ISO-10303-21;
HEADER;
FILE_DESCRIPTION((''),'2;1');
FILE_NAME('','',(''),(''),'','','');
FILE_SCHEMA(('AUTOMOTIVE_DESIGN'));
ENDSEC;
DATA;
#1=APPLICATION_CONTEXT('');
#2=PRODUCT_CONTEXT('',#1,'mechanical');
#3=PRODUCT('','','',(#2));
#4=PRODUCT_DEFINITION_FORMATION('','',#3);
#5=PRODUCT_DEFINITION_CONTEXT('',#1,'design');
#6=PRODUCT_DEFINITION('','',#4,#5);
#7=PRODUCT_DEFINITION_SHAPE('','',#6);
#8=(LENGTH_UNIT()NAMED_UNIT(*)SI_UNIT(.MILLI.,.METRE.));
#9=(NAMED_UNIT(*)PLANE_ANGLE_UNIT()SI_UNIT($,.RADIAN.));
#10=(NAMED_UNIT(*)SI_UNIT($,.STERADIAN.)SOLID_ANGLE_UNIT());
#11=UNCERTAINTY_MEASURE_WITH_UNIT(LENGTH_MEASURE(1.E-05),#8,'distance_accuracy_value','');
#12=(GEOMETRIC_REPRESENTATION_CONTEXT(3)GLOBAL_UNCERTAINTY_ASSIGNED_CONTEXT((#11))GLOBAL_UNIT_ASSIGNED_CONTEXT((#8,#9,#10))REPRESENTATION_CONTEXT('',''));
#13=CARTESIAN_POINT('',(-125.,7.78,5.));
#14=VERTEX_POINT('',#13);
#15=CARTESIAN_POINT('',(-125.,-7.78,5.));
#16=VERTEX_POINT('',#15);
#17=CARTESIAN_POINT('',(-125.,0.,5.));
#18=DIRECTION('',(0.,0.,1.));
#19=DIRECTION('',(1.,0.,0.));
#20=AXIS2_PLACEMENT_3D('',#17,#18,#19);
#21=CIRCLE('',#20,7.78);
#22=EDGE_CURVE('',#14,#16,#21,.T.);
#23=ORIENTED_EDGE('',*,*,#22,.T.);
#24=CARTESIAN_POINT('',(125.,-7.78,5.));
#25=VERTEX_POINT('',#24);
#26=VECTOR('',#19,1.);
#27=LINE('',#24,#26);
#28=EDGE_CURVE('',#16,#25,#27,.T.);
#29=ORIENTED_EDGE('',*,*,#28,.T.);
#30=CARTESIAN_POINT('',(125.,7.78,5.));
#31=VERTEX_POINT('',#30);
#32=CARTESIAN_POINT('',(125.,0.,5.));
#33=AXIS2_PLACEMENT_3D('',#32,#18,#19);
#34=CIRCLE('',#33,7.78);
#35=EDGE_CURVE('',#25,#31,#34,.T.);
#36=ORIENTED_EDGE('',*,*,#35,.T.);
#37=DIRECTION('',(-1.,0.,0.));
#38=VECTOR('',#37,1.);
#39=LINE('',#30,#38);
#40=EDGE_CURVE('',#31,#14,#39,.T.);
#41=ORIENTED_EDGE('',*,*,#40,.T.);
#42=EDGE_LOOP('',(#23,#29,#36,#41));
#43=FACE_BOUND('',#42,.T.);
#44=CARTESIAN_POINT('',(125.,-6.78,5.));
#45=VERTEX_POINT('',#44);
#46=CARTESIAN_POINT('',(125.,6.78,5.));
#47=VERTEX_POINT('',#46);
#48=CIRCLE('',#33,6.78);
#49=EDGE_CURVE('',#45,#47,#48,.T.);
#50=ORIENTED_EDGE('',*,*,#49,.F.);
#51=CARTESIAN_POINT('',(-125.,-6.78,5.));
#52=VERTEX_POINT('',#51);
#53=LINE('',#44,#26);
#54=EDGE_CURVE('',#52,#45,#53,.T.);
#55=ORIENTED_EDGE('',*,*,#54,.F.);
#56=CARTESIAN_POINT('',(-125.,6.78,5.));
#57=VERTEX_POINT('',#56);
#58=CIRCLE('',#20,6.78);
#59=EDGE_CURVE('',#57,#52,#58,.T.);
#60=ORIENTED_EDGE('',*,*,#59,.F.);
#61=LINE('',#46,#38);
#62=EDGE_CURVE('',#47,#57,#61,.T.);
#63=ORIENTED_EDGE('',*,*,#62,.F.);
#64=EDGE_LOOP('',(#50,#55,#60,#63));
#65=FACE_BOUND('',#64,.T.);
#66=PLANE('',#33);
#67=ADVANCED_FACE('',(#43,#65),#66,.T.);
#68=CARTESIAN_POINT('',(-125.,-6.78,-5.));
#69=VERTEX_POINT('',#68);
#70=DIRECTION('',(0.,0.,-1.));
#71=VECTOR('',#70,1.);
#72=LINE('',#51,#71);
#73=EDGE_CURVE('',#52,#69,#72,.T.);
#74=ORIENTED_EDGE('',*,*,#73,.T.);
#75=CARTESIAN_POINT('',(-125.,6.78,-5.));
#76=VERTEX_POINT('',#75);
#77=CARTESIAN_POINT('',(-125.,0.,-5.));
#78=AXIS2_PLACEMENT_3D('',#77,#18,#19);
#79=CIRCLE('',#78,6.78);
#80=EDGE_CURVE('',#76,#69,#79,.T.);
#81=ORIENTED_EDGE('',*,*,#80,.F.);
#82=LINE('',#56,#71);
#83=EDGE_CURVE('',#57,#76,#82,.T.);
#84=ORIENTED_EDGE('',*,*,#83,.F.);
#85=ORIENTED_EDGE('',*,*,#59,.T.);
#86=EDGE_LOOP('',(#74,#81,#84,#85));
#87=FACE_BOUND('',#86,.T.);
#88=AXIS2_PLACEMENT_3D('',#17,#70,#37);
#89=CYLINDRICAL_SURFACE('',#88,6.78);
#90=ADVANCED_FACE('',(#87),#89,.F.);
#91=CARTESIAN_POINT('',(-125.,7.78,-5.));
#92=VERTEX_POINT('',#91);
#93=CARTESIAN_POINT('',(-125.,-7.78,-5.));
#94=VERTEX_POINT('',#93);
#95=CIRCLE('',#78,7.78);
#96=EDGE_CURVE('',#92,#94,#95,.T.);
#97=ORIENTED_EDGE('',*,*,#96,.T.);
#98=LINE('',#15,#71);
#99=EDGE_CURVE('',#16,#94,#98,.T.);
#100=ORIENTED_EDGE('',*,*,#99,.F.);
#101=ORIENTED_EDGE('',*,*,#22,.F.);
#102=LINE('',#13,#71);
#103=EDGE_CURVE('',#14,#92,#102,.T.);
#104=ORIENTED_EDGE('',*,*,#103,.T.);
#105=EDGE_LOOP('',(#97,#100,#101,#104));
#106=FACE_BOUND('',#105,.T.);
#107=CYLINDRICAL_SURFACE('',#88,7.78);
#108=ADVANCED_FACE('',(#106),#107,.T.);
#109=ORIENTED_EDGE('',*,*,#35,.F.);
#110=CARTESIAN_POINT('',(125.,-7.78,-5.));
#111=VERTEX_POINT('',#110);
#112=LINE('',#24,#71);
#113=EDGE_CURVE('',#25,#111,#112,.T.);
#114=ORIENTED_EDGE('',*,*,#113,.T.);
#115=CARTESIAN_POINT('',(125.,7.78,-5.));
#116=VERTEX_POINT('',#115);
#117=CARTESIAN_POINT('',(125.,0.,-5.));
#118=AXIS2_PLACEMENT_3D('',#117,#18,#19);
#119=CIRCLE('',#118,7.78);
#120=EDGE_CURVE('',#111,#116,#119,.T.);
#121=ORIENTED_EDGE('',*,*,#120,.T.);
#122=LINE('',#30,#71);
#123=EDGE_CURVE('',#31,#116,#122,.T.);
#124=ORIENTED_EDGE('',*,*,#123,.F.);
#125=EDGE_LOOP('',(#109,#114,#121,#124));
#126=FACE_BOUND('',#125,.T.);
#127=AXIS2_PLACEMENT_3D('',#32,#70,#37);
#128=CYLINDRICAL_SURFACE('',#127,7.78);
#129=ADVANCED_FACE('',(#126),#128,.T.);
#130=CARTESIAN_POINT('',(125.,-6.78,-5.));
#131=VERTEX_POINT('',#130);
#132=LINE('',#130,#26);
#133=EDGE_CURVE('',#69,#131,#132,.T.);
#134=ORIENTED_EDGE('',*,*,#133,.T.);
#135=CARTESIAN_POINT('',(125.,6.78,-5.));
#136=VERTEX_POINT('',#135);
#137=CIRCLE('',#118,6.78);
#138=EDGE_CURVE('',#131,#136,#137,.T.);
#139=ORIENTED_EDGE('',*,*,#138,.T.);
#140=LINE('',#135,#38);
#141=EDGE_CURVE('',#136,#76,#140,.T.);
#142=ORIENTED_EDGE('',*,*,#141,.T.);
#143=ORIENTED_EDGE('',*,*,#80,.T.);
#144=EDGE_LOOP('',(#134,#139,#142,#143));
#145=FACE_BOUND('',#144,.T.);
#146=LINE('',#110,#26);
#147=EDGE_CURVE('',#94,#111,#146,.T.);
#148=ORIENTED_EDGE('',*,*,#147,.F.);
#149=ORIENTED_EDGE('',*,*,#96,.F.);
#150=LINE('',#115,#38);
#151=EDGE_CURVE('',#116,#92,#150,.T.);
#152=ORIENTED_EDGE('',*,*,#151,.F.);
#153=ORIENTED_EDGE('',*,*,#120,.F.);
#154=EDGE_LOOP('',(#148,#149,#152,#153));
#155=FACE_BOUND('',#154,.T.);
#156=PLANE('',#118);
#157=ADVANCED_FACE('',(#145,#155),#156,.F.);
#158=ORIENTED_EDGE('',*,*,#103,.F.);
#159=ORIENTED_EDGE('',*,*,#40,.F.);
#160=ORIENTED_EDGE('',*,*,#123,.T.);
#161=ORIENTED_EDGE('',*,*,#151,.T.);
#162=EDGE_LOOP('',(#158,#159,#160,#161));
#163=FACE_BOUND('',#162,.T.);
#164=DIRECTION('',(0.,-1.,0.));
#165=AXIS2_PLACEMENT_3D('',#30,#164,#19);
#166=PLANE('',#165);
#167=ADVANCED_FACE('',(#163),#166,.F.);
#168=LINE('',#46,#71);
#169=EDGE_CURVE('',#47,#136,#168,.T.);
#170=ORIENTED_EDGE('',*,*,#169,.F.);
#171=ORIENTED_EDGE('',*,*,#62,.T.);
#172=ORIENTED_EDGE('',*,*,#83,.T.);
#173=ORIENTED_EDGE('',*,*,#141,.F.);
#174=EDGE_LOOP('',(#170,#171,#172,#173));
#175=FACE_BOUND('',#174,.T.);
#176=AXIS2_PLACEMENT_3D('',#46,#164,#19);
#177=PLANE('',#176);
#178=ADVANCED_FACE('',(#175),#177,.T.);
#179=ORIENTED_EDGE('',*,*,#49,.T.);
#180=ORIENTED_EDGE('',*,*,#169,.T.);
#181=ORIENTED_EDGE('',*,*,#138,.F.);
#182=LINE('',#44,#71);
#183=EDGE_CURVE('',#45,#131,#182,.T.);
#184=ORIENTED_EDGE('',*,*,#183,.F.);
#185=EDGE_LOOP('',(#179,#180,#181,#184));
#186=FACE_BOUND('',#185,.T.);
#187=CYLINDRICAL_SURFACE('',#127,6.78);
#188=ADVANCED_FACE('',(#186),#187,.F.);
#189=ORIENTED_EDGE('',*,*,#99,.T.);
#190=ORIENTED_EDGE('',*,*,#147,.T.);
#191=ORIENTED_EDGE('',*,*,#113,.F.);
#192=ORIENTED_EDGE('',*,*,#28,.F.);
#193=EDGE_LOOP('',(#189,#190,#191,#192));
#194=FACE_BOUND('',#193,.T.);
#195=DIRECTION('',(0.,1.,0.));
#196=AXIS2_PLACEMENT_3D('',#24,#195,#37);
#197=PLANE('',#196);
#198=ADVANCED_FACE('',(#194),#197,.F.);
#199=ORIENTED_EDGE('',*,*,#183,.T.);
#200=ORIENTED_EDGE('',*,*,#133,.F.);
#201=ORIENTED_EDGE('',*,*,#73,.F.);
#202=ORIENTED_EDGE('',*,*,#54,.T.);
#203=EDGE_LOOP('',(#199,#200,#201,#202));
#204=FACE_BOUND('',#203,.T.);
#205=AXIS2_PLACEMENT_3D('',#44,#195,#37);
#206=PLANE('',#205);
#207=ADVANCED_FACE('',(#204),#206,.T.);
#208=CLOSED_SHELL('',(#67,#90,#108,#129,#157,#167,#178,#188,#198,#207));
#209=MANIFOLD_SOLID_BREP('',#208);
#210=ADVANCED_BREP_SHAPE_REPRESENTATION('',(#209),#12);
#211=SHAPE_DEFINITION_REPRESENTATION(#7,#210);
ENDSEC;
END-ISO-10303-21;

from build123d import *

# Parameters (mm, degrees)
EXTRUDE_1_DEPTH = 5


with BuildPart() as part:
    # 草图1 → 凸台-拉伸1 (new, symmetric)
    with BuildSketch(Plane.XY):
        with BuildLine():
            Line((125, -7.78), (-125, -7.78))
            ThreePointArc((-125, -7.78), (-132.78, 0), (-125, 7.78))
            Line((-125, 7.78), (125, 7.78))
            ThreePointArc((125, 7.78), (132.78, 0), (125, -7.78))
        make_face()
        with BuildLine():
            Line((125, -6.78), (-125, -6.78))
            ThreePointArc((-125, -6.78), (-131.78, 0), (-125, 6.78))
            Line((-125, 6.78), (125, 6.78))
            ThreePointArc((125, 6.78), (131.78, 0), (125, -6.78))
        make_face(mode=Mode.SUBTRACT)
    extrude(amount=EXTRUDE_1_DEPTH, both=True)


solid = part.part
